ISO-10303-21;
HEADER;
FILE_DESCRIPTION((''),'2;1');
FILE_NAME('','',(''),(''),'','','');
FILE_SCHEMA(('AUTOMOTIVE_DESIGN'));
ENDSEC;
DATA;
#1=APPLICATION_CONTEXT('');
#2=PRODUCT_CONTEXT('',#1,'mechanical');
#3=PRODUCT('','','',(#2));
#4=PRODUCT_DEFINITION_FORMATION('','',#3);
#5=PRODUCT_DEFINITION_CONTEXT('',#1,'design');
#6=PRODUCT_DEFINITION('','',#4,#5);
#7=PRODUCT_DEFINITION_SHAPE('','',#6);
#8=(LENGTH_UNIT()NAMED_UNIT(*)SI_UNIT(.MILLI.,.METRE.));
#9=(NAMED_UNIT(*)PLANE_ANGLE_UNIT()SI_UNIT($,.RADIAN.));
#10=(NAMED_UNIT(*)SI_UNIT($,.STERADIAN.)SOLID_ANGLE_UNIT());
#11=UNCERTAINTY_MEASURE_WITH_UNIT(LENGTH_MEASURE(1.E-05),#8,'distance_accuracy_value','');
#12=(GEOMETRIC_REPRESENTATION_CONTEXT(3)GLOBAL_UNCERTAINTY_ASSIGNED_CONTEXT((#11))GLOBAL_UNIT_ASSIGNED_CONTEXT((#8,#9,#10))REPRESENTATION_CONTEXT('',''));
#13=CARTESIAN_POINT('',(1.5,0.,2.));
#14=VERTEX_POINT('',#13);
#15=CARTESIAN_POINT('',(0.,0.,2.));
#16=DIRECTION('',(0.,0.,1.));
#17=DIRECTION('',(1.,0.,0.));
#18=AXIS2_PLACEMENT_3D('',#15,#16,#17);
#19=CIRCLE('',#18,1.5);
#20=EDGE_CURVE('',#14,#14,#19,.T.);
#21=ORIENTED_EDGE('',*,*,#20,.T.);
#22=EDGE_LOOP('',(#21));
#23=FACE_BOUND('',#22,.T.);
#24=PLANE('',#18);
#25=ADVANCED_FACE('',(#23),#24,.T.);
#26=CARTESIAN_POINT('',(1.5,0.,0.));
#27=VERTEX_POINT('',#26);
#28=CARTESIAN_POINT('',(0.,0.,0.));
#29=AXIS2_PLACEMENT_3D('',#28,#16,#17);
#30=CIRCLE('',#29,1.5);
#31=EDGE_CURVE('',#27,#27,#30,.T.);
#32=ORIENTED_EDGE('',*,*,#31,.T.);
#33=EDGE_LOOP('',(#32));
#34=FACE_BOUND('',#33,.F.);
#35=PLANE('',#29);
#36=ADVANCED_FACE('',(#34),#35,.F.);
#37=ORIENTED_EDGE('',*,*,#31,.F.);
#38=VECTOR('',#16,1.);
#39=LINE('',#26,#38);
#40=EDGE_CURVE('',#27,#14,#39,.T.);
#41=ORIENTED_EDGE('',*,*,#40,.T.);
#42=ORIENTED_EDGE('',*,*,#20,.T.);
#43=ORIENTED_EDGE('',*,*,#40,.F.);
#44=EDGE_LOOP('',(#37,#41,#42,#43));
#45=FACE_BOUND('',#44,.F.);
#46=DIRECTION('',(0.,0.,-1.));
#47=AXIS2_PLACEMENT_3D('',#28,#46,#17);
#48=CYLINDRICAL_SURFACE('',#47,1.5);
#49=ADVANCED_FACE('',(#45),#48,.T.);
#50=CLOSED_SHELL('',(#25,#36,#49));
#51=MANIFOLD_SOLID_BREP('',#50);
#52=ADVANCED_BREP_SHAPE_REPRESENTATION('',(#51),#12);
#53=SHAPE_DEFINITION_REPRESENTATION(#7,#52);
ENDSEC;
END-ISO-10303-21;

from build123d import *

# Parameters (mm, degrees)
SKETCH_1_R      = 1.5
EXTRUDE_1_DEPTH = 2


with BuildPart() as part:
    # 草图1 → 凸台-拉伸1 (new body)
    with BuildSketch(Plane.XY):
        Circle(SKETCH_1_R)
    extrude(amount=EXTRUDE_1_DEPTH)


solid = part.part
